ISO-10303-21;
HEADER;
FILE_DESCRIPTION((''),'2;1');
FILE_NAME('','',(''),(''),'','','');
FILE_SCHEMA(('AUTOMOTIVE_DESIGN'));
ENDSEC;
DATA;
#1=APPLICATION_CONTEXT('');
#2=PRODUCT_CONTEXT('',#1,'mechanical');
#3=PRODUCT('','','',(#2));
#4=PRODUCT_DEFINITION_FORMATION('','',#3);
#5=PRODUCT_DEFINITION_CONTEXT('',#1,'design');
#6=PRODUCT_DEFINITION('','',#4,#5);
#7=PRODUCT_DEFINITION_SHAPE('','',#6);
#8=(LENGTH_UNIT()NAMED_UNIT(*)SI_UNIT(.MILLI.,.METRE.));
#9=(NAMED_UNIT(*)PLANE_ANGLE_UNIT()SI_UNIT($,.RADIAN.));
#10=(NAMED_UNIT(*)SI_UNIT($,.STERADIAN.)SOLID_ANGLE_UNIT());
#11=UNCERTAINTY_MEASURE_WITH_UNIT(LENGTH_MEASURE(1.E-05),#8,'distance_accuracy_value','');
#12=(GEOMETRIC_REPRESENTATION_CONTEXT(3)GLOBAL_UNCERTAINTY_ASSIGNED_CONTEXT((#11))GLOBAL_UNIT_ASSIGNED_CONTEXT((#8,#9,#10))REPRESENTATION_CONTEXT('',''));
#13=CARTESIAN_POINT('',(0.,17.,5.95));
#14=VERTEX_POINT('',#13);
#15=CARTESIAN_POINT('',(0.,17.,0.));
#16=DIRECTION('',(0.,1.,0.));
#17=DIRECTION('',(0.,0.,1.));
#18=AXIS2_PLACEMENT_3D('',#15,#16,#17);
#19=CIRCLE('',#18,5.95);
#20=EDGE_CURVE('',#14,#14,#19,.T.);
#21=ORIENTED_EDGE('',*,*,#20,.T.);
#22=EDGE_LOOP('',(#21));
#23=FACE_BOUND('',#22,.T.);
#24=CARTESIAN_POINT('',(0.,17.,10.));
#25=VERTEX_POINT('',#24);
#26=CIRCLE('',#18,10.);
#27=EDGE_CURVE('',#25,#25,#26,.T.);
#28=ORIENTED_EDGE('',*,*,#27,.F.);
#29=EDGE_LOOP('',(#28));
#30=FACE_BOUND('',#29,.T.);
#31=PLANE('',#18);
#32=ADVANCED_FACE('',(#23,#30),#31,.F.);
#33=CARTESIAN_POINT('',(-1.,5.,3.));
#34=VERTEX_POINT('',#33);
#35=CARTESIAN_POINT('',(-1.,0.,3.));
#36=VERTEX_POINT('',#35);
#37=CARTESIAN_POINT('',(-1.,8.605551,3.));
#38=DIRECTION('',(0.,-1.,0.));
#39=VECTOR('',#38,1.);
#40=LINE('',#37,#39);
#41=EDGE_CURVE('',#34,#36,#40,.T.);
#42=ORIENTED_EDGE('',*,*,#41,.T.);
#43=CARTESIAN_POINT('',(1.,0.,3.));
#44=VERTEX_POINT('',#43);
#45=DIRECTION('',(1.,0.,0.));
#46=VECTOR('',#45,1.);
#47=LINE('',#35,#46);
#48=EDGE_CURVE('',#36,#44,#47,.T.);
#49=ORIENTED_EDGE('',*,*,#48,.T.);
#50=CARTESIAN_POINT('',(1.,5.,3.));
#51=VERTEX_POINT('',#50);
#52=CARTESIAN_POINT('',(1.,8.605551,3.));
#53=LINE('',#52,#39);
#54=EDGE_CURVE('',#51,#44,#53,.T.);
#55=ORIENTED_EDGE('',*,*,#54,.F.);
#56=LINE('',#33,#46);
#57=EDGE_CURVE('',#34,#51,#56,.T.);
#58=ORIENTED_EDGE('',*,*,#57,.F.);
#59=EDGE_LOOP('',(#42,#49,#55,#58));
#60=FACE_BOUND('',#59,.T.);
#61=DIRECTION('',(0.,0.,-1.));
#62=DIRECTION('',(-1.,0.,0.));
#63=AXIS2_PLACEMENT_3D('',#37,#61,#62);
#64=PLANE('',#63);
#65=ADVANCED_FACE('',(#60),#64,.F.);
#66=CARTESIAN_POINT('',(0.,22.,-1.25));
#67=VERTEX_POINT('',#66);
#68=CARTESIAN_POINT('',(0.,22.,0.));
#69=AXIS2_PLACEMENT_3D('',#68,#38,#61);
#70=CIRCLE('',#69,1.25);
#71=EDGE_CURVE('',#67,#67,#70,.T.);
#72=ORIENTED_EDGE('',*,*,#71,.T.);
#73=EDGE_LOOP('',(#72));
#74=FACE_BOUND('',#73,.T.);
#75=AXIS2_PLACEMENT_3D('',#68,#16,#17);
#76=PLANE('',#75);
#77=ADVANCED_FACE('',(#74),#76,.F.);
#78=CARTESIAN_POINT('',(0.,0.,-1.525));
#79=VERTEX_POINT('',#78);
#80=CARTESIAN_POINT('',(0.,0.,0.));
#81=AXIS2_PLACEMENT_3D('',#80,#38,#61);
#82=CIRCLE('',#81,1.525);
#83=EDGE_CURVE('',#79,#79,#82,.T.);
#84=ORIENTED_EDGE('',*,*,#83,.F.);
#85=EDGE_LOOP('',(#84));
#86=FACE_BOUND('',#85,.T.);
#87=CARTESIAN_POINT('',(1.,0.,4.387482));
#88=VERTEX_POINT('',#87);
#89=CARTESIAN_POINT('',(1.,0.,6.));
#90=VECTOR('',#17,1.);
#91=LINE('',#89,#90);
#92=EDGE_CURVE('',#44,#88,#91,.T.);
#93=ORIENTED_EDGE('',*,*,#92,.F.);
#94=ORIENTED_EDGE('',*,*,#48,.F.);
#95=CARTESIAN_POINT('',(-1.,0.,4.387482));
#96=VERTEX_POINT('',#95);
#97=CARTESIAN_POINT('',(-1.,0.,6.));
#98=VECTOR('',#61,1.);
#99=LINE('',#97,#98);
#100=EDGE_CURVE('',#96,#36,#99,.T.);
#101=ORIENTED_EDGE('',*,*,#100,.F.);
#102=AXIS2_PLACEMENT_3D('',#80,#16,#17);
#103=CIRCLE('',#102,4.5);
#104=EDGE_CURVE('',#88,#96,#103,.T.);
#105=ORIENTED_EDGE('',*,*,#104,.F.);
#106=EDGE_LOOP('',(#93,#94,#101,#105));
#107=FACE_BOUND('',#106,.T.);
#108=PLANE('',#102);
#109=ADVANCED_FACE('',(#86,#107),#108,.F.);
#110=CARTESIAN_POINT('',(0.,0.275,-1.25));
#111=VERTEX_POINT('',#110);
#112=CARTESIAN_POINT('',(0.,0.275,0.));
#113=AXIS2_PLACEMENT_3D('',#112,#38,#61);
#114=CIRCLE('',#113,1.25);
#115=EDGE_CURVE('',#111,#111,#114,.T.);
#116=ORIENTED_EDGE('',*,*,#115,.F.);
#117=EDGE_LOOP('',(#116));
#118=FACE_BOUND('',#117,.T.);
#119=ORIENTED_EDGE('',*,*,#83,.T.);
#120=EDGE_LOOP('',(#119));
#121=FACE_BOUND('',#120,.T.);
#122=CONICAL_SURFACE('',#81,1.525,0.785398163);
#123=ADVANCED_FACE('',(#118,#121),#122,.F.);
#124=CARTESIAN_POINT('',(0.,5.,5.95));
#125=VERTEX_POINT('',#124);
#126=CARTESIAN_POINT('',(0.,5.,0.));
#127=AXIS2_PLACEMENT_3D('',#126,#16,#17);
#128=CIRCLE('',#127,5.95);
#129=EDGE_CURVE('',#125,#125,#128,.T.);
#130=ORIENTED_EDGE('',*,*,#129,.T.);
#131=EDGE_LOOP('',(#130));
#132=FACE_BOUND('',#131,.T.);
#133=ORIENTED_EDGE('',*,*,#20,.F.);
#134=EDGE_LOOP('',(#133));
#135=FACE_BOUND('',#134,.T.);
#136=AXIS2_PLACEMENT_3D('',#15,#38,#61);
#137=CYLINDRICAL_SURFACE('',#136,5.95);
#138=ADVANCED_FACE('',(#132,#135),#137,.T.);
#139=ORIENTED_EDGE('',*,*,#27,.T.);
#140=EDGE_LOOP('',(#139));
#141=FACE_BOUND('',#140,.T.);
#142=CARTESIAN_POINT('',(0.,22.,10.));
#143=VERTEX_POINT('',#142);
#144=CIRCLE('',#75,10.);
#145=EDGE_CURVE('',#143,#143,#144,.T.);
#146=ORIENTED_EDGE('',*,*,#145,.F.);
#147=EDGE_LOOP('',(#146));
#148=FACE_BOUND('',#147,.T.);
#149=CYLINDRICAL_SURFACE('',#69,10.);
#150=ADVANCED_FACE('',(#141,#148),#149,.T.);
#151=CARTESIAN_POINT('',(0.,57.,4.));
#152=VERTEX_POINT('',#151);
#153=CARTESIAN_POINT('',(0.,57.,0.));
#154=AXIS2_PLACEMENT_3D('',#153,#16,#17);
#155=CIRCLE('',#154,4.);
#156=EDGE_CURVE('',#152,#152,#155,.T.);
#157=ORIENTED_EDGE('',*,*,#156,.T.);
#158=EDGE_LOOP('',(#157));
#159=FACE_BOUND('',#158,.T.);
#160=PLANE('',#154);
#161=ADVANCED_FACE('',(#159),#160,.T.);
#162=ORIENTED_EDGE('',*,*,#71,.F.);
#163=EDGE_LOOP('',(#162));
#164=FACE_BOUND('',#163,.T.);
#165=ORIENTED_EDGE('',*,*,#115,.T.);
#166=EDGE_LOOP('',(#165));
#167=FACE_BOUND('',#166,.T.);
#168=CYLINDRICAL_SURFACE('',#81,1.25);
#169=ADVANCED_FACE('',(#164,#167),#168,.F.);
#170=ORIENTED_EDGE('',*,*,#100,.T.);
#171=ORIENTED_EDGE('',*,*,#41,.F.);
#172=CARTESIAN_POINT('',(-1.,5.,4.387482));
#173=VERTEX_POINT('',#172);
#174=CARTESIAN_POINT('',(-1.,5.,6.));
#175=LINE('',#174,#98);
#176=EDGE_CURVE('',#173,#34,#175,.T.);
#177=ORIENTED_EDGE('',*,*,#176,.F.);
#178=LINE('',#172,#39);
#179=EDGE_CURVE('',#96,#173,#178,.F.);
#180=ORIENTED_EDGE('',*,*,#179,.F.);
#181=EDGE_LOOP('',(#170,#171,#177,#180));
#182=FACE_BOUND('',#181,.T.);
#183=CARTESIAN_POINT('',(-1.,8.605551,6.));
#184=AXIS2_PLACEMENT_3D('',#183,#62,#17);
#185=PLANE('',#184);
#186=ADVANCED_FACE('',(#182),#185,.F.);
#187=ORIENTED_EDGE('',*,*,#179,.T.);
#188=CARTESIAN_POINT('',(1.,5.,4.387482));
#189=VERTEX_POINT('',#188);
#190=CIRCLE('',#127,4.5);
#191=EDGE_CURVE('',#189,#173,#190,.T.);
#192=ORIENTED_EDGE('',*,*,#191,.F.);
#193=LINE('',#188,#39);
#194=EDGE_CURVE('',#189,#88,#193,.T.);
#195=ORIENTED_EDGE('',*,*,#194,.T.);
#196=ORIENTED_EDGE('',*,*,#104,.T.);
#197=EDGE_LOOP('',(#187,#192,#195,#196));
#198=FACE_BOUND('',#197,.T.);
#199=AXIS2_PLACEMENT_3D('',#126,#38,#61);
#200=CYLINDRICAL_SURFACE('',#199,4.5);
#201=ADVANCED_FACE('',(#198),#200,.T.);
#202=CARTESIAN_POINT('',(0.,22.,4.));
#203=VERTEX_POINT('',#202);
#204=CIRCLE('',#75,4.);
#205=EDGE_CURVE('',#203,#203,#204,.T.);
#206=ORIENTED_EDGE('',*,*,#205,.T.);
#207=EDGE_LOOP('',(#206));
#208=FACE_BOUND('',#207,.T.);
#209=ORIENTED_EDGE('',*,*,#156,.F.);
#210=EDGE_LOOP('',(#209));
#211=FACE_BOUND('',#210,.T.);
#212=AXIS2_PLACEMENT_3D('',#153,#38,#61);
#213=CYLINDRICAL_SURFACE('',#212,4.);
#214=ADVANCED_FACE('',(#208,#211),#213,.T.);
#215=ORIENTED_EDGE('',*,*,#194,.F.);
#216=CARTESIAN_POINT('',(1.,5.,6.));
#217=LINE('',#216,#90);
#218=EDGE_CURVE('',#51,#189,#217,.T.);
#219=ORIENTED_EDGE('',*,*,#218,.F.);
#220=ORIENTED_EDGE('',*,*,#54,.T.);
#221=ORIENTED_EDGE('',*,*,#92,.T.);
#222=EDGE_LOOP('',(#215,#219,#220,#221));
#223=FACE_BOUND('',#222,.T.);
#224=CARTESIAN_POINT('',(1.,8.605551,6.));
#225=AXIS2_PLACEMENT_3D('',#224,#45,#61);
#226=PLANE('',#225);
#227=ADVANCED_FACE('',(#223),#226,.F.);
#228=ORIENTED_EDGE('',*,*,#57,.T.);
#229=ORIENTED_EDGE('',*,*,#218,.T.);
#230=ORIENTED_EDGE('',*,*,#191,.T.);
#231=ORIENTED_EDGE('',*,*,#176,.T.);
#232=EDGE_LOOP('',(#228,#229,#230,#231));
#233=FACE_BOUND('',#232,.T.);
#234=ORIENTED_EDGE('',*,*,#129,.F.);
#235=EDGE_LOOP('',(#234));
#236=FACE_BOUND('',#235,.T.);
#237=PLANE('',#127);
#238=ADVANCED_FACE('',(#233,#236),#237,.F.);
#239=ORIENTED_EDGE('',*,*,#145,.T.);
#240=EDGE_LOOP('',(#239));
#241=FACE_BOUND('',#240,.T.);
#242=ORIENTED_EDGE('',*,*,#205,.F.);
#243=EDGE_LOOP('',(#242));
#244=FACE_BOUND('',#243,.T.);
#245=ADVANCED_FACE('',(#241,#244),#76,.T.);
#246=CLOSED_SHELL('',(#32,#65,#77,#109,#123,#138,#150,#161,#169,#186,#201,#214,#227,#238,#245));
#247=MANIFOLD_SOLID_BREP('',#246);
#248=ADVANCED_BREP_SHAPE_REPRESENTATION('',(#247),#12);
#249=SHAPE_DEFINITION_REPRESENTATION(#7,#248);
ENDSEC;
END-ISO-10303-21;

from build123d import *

# Parameters (mm, degrees)
SKETCH2_R                   = 4.5
BOSS_EXTRUDE1_DEPTH         = 5
SKETCH3_R                   = 5.95
BOSS_EXTRUDE2_DEPTH         = 12
SKETCH4_R                   = 10
BOSS_EXTRUDE3_DEPTH         = 5
M3_TAPPED_HOLE1_D           = 2.5
M3_TAPPED_HOLE1_CSINK_D     = 3.05
M3_TAPPED_HOLE1_CSINK_ANGLE = 90
SKETCH11_W                  = 2
SKETCH11_H                  = 3
CUT_EXTRUDE2_DEPTH          = 5
SKETCH12_R                  = 4
BOSS_EXTRUDE5_DEPTH         = 35


with BuildPart() as part:
    # Sketch2 → Boss-Extrude1 (new body)
    with BuildSketch(Plane(origin=(0, 0, 0), x_dir=(1, 0, 0), z_dir=(0, 1, 0))):
        with Locations(Location((0, 0, 0), (0, 0, 270))):
            Circle(SKETCH2_R)
    extrude(amount=BOSS_EXTRUDE1_DEPTH)

    # Sketch3 → Boss-Extrude2 (add)
    with BuildSketch(Plane(origin=(0, 5, 0), x_dir=(1, 0, 0), z_dir=(0, 1, 0))):
        with Locations(Location((0, 0, 0), (0, 0, 270))):
            Circle(SKETCH3_R)
    extrude(amount=BOSS_EXTRUDE2_DEPTH)

    # Sketch4 → Boss-Extrude3 (add)
    with BuildSketch(Plane(origin=(0, 17, 0), x_dir=(1, 0, 0), z_dir=(0, 1, 0))):
        with Locations(Location((0, 0, 0), (0, 0, 270))):
            Circle(SKETCH4_R)
    extrude(amount=BOSS_EXTRUDE3_DEPTH)

    # M3 Tapped Hole1 (through all)
    with Locations(Plane(origin=(0, 0, 0), x_dir=(-1, 0, 0), z_dir=(0, -1, 0))):
        with Locations((0, 0)):
            CounterSinkHole(M3_TAPPED_HOLE1_D / 2, M3_TAPPED_HOLE1_CSINK_D / 2, counter_sink_angle=M3_TAPPED_HOLE1_CSINK_ANGLE)

    # Sketch11 → Cut-Extrude2 (cut)
    with BuildSketch(Plane.XZ):
        with Locations((0, 4.5)):
            Rectangle(SKETCH11_W, SKETCH11_H)
    extrude(amount=-CUT_EXTRUDE2_DEPTH, mode=Mode.SUBTRACT)

    # Sketch12 → Boss-Extrude5 (add)
    with BuildSketch(Plane(origin=(0, 22, 0), x_dir=(1, 0, 0), z_dir=(0, 1, 0))):
        with Locations(Location((0, 0, 0), (0, 0, 270))):
            Circle(SKETCH12_R)
    extrude(amount=BOSS_EXTRUDE5_DEPTH)


solid = part.part
